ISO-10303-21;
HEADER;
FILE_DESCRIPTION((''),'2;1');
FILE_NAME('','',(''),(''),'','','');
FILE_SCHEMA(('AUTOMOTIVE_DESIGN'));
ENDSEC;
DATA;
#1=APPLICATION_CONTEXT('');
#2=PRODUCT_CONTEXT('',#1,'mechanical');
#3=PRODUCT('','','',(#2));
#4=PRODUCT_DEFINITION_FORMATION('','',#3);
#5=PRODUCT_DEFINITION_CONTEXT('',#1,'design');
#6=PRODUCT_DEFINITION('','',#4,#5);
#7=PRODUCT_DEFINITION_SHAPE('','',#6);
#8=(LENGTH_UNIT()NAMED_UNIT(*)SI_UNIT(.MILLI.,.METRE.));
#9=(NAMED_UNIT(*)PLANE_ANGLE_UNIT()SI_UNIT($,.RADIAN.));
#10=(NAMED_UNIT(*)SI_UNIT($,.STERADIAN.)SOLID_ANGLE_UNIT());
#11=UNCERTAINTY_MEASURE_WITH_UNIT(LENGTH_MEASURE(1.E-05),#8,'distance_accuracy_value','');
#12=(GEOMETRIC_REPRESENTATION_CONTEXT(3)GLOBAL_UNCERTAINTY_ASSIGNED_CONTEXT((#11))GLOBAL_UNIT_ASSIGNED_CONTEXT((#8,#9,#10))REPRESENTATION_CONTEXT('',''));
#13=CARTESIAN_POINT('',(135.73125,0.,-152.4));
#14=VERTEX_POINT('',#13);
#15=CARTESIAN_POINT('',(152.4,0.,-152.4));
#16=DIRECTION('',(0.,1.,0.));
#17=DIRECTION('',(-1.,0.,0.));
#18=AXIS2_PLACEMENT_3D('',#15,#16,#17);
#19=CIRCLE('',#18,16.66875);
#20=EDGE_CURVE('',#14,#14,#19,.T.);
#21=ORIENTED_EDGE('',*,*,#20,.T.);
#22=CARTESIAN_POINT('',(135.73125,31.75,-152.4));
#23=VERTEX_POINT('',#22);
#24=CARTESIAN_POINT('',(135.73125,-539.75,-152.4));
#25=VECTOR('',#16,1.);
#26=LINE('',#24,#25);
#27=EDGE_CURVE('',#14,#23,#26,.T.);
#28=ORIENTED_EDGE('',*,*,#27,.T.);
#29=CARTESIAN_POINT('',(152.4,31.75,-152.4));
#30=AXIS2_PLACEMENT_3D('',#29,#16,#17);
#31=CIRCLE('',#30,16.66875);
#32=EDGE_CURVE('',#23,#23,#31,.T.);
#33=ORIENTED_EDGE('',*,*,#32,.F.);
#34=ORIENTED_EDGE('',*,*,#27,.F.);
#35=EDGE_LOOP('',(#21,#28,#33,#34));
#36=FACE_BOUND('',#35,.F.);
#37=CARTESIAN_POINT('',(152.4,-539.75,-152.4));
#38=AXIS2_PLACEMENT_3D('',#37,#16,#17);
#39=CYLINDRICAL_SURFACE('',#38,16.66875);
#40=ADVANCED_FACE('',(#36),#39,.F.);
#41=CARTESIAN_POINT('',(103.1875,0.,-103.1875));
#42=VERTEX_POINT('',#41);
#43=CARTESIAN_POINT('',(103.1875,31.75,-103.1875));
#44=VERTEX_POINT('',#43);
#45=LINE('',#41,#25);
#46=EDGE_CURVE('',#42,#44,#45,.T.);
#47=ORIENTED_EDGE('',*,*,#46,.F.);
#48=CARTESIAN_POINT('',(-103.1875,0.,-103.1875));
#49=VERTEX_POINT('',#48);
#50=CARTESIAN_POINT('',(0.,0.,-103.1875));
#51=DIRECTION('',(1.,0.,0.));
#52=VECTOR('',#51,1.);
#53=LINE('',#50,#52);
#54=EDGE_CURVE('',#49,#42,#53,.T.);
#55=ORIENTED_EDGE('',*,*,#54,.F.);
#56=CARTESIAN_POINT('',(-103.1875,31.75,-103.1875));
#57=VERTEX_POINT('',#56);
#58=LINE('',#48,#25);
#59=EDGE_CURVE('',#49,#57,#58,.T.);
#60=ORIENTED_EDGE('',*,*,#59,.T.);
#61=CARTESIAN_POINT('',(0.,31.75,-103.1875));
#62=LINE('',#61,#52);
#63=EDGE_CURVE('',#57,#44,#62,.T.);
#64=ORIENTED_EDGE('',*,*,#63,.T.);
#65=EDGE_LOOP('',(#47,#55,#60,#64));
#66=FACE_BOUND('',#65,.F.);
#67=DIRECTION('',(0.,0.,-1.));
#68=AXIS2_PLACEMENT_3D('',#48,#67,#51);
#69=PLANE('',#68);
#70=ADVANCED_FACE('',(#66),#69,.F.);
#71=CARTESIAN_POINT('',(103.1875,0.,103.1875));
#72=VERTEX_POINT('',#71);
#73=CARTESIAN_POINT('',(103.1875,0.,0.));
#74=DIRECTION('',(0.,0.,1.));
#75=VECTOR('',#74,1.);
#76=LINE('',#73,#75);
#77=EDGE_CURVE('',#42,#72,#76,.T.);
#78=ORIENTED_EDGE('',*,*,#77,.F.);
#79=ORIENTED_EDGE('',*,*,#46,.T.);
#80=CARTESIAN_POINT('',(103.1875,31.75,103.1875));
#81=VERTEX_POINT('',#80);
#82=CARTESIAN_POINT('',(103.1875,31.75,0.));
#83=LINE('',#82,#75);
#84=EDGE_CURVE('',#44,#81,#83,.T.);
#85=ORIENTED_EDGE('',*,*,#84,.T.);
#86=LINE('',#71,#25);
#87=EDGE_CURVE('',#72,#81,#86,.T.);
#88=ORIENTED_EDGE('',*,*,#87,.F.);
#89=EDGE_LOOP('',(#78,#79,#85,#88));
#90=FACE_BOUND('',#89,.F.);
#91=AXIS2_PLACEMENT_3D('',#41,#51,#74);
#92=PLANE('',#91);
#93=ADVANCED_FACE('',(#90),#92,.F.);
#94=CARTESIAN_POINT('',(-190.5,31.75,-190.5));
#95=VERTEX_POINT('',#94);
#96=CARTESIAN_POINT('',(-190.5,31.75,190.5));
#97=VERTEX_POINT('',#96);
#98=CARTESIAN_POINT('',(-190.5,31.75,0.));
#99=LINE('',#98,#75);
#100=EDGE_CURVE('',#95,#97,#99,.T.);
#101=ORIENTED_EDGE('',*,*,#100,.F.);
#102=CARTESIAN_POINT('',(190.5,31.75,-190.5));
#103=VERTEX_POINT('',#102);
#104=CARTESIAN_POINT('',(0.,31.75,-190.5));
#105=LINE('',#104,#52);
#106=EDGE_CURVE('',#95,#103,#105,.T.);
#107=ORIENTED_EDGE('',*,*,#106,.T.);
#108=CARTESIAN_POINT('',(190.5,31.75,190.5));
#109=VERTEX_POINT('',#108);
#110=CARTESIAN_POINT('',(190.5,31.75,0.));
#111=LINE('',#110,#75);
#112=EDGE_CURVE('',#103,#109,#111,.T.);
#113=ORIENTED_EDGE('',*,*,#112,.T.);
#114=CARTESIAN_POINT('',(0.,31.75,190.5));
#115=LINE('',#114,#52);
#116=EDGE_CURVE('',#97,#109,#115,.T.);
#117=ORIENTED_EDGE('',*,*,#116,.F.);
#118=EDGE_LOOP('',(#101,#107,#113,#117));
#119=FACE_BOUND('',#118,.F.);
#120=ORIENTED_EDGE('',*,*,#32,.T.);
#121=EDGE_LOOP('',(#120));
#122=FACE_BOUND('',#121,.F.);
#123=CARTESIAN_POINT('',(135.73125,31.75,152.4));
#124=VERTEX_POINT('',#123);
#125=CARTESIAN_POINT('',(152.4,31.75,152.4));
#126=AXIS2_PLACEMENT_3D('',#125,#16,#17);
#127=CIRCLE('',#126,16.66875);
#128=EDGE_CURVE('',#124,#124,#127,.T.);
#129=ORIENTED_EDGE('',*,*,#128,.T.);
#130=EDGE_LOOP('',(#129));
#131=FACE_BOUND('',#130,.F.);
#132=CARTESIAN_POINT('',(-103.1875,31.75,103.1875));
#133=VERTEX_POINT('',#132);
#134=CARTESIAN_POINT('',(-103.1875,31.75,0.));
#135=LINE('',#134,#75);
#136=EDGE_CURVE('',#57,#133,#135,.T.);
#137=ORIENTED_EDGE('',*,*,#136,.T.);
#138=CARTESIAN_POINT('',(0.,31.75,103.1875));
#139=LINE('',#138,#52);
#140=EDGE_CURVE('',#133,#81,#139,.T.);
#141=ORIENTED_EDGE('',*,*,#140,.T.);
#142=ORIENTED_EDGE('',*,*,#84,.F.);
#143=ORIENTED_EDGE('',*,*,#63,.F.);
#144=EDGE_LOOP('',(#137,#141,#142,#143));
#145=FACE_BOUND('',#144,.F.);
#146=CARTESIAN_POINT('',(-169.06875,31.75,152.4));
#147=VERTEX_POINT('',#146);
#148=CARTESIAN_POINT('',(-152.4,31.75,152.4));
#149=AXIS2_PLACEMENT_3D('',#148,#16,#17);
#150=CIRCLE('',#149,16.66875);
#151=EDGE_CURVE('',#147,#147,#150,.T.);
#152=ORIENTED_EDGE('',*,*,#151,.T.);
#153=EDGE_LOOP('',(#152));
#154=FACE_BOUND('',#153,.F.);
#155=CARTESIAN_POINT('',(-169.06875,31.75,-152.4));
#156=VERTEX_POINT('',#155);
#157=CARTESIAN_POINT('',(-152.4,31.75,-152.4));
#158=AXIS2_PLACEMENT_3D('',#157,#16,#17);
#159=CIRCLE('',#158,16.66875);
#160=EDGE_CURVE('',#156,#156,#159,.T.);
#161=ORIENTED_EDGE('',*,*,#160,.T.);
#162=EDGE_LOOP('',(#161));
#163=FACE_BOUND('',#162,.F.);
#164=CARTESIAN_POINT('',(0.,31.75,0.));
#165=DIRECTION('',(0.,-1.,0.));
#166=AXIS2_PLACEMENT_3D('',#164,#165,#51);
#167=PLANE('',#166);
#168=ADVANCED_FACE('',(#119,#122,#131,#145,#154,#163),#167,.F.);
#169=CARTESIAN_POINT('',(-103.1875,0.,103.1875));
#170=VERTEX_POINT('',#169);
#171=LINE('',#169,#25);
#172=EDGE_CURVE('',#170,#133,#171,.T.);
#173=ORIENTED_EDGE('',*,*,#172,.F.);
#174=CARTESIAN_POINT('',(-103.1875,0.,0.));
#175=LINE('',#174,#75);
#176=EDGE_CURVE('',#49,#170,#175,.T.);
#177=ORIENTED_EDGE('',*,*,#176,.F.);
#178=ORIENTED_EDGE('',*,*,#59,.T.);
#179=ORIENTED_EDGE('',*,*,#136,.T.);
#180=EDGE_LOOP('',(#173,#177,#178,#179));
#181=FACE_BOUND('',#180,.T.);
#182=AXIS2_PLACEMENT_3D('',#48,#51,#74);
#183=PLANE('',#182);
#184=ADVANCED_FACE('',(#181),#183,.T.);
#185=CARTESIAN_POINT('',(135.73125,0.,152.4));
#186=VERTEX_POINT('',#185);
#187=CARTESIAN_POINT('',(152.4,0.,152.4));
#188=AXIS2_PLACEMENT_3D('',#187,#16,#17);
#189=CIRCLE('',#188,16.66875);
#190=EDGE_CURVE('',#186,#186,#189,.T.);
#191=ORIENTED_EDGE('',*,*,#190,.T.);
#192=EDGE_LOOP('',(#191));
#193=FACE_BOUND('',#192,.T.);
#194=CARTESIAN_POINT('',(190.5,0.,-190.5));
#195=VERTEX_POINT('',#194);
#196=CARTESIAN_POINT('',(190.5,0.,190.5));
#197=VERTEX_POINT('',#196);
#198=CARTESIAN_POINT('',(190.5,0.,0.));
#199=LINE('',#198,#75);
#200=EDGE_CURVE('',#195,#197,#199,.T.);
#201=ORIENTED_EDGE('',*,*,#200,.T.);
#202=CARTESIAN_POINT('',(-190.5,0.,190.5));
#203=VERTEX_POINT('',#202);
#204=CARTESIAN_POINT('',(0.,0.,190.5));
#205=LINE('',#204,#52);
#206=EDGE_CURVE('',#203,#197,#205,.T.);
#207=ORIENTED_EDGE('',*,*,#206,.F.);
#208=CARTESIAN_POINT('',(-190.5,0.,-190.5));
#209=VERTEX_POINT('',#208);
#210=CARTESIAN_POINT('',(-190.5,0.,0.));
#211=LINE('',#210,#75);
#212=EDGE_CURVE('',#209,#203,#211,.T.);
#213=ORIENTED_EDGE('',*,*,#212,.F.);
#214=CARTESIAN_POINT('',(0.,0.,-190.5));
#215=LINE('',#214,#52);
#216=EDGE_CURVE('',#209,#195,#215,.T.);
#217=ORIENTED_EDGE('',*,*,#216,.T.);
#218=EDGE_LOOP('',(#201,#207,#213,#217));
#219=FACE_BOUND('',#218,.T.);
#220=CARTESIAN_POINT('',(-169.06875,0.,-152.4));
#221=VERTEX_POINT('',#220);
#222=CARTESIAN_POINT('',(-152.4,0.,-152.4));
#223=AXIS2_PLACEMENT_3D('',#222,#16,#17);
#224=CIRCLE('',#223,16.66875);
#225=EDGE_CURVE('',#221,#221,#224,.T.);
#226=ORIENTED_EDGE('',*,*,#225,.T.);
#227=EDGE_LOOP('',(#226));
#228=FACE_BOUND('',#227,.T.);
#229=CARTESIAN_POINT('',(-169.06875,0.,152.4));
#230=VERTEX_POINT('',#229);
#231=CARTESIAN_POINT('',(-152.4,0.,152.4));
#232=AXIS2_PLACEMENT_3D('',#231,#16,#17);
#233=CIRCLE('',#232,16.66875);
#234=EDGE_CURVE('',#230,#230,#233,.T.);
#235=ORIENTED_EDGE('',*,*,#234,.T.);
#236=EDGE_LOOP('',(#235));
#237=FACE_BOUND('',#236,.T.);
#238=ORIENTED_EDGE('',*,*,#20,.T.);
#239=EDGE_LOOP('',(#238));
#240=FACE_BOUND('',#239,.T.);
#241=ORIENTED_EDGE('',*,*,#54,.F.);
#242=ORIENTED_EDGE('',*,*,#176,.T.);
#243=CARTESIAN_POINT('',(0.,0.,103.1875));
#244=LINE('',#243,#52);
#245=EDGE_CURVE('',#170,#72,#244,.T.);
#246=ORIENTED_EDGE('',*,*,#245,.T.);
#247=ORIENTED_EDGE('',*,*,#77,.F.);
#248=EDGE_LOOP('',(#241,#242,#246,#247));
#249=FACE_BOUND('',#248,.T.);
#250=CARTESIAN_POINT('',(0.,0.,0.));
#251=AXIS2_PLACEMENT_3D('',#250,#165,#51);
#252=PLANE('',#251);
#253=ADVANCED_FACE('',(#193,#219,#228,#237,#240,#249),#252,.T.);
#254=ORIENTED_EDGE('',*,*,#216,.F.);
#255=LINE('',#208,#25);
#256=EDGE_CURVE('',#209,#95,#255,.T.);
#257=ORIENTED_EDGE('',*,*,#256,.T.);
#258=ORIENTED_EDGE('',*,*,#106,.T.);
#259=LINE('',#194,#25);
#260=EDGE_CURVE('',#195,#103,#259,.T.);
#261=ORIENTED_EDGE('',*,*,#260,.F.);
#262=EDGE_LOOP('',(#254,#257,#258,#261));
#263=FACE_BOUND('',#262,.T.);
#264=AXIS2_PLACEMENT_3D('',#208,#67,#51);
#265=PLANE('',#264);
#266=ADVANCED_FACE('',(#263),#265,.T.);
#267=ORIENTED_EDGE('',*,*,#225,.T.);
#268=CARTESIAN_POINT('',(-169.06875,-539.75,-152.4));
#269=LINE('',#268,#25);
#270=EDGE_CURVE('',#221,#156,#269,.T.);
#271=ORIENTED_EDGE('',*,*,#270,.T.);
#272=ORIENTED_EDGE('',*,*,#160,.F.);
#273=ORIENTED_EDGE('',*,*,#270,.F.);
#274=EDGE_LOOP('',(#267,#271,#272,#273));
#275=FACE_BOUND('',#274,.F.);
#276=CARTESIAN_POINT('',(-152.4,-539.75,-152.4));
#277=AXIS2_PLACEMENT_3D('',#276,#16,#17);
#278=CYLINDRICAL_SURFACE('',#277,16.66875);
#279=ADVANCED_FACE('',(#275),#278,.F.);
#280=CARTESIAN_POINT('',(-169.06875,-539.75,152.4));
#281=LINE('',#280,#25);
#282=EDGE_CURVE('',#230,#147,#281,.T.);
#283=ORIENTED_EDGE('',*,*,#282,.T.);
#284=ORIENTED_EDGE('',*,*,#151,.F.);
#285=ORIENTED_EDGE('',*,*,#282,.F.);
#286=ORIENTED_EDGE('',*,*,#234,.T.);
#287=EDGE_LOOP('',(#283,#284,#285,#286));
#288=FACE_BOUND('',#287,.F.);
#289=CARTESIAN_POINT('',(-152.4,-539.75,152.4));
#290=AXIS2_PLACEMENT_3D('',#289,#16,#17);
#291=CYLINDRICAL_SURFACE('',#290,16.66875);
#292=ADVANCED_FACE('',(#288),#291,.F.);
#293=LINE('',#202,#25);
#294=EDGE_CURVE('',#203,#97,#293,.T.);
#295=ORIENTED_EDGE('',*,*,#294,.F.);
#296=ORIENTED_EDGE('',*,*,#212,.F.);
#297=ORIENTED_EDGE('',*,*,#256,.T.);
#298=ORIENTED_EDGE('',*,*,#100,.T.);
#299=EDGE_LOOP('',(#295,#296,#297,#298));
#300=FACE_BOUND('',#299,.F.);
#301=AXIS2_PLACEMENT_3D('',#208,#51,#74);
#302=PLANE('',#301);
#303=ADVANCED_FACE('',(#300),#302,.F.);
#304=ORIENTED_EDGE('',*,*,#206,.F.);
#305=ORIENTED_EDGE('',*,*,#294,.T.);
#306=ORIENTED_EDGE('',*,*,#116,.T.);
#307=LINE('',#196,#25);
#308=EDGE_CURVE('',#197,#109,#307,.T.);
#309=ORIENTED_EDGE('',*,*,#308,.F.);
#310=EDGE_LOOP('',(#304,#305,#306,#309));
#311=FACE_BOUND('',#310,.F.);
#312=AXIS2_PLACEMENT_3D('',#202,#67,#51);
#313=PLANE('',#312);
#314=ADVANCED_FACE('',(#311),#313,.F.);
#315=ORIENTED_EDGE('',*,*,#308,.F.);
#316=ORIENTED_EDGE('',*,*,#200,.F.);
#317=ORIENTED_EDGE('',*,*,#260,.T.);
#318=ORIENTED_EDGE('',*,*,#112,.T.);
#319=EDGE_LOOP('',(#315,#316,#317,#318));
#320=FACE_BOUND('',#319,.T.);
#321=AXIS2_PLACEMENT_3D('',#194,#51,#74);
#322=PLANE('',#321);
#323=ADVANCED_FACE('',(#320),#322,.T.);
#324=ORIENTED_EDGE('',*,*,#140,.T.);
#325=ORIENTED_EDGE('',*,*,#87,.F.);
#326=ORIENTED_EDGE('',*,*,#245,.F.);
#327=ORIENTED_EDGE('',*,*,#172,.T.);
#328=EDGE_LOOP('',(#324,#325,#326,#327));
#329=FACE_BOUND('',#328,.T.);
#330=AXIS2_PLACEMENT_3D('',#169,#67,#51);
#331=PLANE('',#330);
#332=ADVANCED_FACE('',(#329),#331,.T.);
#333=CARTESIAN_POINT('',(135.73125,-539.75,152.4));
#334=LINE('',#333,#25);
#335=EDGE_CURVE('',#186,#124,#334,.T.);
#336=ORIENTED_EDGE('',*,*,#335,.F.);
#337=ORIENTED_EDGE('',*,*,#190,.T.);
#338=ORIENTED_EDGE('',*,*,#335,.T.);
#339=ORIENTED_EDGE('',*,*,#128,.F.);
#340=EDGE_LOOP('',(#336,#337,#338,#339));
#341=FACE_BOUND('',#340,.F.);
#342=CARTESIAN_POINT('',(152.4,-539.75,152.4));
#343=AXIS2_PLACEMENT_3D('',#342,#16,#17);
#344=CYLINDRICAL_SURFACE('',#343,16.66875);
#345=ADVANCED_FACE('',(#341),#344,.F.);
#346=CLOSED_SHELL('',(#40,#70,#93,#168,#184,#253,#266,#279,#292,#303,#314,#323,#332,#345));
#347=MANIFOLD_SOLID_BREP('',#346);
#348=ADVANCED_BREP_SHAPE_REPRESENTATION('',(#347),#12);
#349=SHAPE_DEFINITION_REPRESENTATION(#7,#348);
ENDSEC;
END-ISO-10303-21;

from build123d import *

# Parameters (mm, degrees)
F0_W     = 381
F0_H     = 381
F0_W_2   = 304.8
F0_H_2   = 304.8
F0_W_3   = 206.375
F0_H_3   = 206.375
F1_DEPTH = 31.75
F2_D     = 33.3375


with BuildPart() as f1:
    # F0 (on Front) → F1 (new body)
    with BuildSketch(Plane.XZ):
        Rectangle(F0_W, F0_H)
        Rectangle(F0_W_2, F0_H_2, mode=Mode.SUBTRACT)
        Rectangle(F0_W_2, F0_H_2)
        Rectangle(F0_W_3, F0_H_3, mode=Mode.SUBTRACT)
    extrude(amount=-F1_DEPTH)

    # F2 (through all)
    with Locations(Plane.XZ):
        with Locations((-152.4, 152.4), (152.4, 152.4), (152.4, -152.4), (-152.4, -152.4)):
            Hole(F2_D / 2)


solid = f1.part
